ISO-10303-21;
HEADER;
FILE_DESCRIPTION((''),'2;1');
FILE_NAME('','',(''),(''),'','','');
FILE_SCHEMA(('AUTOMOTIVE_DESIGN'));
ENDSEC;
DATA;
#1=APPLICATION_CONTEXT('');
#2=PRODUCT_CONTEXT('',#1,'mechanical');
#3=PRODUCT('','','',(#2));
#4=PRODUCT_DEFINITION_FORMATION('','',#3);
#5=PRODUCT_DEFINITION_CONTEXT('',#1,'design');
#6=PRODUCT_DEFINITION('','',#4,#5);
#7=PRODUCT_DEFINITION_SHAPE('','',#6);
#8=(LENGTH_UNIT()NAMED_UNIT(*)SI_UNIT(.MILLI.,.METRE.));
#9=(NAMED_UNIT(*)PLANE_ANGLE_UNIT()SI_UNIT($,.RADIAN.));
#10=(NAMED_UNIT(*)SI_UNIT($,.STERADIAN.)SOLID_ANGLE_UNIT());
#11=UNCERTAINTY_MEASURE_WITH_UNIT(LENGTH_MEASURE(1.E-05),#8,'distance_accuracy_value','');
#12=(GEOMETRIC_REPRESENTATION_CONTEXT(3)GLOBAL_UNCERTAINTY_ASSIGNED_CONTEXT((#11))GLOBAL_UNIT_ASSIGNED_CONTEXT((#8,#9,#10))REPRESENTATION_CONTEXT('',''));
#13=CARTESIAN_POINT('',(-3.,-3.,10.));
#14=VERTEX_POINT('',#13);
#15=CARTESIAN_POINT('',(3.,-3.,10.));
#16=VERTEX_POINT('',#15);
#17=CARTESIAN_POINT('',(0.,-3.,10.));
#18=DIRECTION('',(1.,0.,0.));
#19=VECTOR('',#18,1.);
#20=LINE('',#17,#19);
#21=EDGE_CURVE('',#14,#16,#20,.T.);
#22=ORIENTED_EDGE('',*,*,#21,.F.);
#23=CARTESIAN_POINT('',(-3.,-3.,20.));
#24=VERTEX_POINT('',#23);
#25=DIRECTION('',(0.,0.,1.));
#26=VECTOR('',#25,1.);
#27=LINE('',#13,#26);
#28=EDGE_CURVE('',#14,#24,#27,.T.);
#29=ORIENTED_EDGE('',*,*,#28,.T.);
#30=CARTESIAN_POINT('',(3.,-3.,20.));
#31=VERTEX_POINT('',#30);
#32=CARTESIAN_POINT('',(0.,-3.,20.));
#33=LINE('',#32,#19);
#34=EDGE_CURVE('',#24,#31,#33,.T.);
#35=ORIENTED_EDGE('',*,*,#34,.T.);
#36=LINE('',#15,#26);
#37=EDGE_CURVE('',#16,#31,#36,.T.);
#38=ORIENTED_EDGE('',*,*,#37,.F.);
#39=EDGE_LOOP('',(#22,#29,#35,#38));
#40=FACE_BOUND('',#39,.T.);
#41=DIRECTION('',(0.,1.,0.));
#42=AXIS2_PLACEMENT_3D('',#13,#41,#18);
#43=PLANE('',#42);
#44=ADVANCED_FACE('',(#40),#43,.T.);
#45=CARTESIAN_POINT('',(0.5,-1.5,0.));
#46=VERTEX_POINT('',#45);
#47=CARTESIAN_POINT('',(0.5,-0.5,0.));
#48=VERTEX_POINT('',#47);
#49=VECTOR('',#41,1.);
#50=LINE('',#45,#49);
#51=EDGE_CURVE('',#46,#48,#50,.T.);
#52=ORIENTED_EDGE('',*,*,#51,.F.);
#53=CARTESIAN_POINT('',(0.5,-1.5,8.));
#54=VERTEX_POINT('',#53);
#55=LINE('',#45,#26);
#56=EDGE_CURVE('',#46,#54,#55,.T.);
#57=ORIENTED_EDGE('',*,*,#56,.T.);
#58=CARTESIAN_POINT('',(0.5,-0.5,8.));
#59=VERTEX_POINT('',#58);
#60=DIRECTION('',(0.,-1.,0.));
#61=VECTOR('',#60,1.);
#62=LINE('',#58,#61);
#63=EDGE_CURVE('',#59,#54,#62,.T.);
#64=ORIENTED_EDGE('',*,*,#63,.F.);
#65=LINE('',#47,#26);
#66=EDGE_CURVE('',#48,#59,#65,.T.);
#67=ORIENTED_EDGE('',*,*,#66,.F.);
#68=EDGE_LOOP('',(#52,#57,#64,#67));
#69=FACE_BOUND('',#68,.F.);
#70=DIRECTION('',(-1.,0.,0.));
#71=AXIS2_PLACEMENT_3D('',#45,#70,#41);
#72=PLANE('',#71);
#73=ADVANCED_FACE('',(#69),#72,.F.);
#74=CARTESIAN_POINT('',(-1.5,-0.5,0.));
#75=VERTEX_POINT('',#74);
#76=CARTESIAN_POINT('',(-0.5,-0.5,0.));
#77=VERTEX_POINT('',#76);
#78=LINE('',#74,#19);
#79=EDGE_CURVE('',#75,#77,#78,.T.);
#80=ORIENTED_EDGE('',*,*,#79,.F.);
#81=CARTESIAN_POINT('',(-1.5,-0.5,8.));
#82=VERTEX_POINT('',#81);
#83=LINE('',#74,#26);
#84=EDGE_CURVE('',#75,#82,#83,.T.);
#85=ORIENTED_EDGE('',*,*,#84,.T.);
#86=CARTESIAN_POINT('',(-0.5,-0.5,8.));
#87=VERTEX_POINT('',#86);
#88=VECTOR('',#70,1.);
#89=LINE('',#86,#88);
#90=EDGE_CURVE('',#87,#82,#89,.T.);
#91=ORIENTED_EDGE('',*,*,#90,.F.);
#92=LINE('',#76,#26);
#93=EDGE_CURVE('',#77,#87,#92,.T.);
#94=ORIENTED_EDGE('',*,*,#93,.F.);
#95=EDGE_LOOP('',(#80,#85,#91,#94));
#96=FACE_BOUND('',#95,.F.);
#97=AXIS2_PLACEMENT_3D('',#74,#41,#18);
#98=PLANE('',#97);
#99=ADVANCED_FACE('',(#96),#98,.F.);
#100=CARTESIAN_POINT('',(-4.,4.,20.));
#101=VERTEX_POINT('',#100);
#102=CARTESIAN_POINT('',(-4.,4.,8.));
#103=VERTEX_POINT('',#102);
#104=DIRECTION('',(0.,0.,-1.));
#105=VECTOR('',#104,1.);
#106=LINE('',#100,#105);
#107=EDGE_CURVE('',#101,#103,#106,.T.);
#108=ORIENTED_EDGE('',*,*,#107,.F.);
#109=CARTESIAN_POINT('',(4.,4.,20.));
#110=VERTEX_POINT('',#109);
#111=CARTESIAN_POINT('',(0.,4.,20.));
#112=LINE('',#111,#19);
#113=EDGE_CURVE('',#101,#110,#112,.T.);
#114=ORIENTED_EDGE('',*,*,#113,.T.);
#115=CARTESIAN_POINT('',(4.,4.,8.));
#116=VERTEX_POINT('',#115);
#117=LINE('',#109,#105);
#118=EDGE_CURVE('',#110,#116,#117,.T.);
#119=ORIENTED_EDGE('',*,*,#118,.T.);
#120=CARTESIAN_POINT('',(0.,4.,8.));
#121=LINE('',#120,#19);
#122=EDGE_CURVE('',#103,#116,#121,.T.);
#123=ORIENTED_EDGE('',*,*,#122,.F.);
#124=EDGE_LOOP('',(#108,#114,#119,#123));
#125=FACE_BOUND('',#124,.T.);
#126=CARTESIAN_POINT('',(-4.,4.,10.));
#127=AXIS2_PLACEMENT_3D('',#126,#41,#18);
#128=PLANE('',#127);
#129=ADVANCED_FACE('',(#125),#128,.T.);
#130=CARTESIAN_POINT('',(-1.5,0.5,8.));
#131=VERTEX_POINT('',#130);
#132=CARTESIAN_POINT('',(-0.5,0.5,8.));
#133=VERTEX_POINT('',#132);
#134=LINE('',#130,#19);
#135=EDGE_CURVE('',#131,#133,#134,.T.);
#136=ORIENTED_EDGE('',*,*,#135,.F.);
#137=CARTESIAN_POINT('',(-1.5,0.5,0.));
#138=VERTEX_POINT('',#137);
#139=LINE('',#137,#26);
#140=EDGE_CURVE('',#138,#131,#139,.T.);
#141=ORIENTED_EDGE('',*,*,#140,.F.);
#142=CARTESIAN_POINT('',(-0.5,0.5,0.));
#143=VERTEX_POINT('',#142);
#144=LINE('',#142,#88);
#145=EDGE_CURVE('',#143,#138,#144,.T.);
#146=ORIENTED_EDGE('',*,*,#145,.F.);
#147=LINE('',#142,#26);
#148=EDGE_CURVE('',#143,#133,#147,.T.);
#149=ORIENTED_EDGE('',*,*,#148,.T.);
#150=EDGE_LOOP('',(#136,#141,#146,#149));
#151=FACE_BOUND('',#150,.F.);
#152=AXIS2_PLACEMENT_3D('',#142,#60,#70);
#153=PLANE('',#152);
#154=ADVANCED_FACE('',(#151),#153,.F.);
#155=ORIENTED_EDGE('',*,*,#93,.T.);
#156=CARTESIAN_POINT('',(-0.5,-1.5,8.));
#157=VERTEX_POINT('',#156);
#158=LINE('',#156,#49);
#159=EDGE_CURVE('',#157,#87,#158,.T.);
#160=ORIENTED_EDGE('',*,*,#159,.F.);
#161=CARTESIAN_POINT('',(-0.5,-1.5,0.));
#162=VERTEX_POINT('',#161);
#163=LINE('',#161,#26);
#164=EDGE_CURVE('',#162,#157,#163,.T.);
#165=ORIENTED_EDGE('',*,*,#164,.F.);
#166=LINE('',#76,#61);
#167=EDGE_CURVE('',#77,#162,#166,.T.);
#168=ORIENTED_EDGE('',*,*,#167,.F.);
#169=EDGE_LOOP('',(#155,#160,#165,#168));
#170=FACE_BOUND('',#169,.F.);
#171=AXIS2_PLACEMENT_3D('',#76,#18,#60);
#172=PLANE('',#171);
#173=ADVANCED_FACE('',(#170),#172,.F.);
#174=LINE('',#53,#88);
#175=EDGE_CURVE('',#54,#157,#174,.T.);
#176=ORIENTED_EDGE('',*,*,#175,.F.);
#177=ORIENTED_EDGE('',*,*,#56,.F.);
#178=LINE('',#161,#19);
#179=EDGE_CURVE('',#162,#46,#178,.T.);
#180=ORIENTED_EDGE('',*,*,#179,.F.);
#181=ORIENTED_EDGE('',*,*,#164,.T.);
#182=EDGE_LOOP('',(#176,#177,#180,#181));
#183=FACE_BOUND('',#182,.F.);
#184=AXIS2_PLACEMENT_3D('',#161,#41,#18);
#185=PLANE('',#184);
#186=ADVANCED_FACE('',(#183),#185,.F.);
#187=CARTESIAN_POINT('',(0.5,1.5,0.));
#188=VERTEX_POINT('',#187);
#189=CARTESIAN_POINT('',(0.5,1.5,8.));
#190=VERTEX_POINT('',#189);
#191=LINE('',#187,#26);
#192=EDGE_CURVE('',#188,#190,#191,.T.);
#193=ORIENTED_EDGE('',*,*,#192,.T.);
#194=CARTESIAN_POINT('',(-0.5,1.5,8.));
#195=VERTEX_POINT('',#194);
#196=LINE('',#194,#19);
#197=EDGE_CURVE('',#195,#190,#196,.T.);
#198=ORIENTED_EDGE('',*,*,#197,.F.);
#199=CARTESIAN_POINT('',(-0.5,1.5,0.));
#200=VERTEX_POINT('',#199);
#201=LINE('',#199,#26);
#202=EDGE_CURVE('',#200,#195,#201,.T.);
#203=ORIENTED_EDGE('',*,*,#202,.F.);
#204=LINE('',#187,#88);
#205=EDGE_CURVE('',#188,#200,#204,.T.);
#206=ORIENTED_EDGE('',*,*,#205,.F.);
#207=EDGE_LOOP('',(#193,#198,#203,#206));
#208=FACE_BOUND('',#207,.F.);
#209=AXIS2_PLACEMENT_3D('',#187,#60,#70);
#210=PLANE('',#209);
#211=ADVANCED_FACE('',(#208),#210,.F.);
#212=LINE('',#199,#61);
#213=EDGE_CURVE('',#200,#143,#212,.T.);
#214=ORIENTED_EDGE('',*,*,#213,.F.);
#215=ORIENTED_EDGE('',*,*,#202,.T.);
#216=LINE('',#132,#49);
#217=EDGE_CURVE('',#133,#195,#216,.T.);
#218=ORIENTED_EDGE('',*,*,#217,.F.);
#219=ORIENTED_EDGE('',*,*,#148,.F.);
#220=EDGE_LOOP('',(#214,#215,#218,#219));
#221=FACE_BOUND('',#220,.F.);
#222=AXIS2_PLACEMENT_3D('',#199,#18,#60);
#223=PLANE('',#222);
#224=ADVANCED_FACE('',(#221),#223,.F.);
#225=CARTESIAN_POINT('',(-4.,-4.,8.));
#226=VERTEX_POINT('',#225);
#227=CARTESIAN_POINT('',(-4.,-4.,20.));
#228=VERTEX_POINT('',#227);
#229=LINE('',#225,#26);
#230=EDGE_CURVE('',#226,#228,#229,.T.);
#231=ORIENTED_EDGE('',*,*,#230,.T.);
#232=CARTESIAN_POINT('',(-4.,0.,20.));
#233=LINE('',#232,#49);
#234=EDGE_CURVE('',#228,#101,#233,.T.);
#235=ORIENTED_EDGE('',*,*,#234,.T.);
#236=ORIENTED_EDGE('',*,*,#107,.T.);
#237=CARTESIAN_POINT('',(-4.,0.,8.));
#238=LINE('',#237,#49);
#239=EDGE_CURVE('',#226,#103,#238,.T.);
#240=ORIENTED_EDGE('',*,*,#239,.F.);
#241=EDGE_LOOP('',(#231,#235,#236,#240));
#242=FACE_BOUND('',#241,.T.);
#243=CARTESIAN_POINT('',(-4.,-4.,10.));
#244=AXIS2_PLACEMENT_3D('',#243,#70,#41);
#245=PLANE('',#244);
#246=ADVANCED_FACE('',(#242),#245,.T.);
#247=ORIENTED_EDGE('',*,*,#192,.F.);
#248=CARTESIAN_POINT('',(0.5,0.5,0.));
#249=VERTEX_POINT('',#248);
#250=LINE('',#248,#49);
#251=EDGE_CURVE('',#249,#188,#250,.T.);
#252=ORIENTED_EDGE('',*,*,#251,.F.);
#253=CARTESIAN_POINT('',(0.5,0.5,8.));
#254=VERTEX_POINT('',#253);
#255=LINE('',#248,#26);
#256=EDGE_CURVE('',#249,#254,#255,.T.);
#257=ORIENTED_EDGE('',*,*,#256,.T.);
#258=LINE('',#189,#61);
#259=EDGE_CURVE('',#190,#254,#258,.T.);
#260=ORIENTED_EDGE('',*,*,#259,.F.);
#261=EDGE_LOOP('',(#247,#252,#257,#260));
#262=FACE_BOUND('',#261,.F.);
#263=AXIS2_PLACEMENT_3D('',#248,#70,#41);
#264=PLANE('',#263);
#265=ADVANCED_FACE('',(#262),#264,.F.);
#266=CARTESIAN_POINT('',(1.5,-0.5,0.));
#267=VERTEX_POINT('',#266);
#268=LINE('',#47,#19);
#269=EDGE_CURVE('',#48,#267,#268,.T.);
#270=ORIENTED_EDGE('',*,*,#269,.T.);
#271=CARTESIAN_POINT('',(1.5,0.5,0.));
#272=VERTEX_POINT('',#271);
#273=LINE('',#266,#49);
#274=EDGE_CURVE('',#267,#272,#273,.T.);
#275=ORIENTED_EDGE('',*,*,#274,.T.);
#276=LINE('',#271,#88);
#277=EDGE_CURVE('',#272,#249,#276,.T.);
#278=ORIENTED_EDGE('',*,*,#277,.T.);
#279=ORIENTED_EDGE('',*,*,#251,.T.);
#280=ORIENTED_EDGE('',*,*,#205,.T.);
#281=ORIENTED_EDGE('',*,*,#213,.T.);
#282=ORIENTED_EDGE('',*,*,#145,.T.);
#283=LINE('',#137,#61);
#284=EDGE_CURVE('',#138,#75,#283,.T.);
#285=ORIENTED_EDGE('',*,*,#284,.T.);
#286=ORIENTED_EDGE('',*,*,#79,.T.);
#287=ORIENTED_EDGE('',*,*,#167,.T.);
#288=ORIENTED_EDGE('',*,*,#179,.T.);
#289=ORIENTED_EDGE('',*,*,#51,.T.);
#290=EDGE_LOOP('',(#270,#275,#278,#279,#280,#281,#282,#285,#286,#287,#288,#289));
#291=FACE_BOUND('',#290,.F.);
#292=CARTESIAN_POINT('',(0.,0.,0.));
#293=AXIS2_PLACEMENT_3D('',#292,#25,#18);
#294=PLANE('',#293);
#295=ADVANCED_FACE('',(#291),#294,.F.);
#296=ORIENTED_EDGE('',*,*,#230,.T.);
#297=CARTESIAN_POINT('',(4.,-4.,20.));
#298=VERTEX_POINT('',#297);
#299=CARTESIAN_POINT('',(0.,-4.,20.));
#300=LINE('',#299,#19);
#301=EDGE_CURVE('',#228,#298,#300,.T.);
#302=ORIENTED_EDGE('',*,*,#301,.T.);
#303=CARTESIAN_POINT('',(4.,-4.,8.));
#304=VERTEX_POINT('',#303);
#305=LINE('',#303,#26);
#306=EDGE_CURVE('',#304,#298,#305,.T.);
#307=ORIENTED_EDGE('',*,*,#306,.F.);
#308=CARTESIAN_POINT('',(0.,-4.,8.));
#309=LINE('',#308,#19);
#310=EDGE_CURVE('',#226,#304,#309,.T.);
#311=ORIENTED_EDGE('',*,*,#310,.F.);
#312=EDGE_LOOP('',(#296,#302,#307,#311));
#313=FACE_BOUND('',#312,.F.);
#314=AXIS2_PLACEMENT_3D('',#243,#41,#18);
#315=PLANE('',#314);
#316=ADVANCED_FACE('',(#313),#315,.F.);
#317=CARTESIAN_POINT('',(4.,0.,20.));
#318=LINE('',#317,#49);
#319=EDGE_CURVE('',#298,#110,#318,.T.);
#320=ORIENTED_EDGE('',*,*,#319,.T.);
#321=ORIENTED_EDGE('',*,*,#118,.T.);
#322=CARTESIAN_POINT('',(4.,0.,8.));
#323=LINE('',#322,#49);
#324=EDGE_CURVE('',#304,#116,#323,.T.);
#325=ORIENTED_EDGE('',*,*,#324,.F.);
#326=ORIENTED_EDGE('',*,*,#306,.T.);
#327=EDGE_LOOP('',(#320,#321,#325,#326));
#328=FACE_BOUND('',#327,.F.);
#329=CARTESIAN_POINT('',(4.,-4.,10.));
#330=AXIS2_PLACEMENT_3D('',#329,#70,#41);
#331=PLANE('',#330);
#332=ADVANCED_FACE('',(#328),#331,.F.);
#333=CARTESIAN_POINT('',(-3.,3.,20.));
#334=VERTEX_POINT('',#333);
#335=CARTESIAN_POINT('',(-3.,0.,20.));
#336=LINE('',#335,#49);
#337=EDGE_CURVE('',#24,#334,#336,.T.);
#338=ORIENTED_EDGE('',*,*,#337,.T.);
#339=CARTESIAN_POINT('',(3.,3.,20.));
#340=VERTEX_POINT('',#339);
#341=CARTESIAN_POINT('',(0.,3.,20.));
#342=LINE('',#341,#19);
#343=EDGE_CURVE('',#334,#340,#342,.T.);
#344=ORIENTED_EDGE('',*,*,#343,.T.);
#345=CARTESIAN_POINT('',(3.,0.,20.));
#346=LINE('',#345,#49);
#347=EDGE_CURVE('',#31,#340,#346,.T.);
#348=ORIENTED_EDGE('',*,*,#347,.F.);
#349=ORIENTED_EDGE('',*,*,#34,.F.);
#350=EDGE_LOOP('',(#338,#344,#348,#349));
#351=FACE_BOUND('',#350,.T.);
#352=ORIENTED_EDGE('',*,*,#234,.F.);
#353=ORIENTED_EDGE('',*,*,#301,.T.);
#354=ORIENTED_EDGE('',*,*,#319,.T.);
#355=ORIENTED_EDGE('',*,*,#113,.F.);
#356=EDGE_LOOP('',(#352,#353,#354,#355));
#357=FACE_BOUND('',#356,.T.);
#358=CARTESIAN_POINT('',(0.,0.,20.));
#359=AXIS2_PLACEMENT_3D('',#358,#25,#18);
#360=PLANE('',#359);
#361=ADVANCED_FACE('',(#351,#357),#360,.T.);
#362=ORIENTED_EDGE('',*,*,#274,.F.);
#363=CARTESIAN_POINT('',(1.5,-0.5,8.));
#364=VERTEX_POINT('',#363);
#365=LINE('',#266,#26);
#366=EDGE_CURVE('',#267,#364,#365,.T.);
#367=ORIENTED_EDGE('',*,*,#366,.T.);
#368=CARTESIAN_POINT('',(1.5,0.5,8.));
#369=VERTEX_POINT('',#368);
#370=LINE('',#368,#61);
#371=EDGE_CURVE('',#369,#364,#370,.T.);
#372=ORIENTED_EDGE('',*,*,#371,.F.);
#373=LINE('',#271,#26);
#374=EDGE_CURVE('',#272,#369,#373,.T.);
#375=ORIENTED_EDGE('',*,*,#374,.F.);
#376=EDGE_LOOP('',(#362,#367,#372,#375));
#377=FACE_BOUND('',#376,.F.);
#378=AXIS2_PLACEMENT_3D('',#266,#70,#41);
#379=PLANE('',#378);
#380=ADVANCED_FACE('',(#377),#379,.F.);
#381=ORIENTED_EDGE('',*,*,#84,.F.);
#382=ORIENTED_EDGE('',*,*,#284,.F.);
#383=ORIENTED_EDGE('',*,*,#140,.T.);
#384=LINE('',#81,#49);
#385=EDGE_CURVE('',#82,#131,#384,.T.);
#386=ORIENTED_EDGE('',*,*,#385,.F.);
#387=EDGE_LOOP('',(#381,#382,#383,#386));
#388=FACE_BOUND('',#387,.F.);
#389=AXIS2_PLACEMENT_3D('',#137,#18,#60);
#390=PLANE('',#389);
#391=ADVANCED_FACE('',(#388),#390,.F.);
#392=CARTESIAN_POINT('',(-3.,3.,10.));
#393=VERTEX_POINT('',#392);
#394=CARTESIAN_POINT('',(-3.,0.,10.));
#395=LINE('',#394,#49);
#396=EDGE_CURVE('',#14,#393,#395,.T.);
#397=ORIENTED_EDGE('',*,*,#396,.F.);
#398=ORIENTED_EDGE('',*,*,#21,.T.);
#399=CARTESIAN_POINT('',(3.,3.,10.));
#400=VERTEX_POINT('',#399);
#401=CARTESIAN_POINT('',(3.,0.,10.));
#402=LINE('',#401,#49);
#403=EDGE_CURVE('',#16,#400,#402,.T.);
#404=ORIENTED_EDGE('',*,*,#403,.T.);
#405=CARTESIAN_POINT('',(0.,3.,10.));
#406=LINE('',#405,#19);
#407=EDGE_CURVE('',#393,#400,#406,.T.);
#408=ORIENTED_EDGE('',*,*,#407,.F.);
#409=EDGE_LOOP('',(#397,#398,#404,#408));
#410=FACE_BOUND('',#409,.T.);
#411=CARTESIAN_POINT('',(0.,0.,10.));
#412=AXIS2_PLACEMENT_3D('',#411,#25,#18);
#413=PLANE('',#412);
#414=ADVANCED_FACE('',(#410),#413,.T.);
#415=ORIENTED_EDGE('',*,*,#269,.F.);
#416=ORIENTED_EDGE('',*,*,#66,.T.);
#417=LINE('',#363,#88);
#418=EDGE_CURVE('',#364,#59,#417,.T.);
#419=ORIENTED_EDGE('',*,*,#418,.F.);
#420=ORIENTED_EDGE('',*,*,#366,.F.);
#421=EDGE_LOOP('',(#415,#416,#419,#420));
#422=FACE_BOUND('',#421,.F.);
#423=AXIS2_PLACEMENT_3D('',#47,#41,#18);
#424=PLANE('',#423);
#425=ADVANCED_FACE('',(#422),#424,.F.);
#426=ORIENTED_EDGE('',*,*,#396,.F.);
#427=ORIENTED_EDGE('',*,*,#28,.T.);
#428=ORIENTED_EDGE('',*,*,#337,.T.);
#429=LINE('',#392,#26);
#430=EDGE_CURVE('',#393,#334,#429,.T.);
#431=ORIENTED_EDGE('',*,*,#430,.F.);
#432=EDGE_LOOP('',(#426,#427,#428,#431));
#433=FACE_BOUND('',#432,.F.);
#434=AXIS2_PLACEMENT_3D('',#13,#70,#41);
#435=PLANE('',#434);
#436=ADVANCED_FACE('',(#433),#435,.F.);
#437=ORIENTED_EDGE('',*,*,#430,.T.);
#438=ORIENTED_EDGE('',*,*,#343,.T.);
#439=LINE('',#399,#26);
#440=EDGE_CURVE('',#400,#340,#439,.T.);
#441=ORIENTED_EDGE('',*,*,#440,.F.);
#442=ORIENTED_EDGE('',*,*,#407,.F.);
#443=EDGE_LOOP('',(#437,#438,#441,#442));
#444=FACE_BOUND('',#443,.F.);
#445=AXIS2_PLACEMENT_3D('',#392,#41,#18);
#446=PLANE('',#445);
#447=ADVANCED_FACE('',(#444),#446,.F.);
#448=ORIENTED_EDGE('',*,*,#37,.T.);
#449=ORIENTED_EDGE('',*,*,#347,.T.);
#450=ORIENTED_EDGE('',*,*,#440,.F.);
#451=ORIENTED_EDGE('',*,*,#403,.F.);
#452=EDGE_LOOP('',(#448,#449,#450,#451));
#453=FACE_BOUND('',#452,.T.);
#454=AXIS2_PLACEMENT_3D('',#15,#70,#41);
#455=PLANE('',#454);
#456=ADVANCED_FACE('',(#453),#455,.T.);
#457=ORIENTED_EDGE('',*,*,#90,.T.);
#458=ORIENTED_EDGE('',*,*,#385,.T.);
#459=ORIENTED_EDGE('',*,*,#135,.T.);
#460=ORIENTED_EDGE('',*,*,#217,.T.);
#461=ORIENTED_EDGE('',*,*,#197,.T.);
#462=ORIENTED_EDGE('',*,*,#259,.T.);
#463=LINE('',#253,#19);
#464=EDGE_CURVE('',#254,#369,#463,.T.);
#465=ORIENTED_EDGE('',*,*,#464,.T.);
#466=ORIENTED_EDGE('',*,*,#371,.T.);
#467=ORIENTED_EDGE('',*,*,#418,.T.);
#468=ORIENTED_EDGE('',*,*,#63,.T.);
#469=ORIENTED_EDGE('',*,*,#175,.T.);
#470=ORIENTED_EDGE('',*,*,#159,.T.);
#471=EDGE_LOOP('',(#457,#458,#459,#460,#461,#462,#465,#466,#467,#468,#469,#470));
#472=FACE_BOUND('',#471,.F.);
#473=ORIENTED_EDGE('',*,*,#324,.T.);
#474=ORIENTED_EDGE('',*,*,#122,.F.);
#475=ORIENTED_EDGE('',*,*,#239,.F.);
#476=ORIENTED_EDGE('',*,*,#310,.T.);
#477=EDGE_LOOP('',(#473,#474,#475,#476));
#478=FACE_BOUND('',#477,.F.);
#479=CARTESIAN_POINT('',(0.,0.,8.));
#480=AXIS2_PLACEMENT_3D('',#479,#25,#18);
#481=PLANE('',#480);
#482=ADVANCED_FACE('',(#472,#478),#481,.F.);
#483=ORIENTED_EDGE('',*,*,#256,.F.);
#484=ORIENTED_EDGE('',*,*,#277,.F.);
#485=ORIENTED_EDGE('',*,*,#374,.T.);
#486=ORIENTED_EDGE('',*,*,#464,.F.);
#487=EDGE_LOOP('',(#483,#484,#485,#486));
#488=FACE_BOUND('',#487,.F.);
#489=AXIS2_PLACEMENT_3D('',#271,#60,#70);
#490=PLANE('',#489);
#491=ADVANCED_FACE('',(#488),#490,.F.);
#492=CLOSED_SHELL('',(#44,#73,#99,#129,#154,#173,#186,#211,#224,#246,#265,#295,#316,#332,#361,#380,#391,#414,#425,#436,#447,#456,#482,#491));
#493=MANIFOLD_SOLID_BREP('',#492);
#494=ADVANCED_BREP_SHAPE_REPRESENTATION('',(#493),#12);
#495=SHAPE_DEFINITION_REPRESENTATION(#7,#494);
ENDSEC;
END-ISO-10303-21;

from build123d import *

# Parameters (mm, degrees)
F1_DEPTH = 10
F2_W     = 6
F2_H     = 6
F2_W_2   = 8
F2_H_2   = 8
F3_DEPTH = 2
F4_DEPTH = 10


with BuildPart() as f1:
    # F0 (on Top) → F1 (new body)
    with BuildSketch(Plane.XY):
        Polygon((-0.5, 0.5), (-1.5, 0.5), (-1.5, -0.5), (-0.5, -0.5), (-0.5, -1.5), (0.5, -1.5), (0.5, -0.5), (1.5, -0.5), (1.5, 0.5), (0.5, 0.5), (0.5, 1.5), (-0.5, 1.5), align=None)
    extrude(amount=F1_DEPTH)

    # F2 (on face) → F3 (join)
    with BuildSketch(Plane.XY.offset(10)):
        Rectangle(F2_W_2, F2_H_2)
        Rectangle(F2_W, F2_H, mode=Mode.SUBTRACT)
        Rectangle(F2_W, F2_H)
        Polygon((-1.5, 0.5), (-0.5, 0.5), (-0.5, 1.5), (0.5, 1.5), (0.5, 0.5), (1.5, 0.5), (1.5, -0.5), (0.5, -0.5), (0.5, -1.5), (-0.5, -1.5), (-0.5, -0.5), (-1.5, -0.5), align=None, mode=Mode.SUBTRACT)
    extrude(amount=-F3_DEPTH)

    # F2 (on face) → F4 (join)
    with BuildSketch(Plane.XY.offset(10)):
        Rectangle(F2_W_2, F2_H_2)
        Rectangle(F2_W, F2_H, mode=Mode.SUBTRACT)
    extrude(amount=F4_DEPTH)


solid = f1.part
